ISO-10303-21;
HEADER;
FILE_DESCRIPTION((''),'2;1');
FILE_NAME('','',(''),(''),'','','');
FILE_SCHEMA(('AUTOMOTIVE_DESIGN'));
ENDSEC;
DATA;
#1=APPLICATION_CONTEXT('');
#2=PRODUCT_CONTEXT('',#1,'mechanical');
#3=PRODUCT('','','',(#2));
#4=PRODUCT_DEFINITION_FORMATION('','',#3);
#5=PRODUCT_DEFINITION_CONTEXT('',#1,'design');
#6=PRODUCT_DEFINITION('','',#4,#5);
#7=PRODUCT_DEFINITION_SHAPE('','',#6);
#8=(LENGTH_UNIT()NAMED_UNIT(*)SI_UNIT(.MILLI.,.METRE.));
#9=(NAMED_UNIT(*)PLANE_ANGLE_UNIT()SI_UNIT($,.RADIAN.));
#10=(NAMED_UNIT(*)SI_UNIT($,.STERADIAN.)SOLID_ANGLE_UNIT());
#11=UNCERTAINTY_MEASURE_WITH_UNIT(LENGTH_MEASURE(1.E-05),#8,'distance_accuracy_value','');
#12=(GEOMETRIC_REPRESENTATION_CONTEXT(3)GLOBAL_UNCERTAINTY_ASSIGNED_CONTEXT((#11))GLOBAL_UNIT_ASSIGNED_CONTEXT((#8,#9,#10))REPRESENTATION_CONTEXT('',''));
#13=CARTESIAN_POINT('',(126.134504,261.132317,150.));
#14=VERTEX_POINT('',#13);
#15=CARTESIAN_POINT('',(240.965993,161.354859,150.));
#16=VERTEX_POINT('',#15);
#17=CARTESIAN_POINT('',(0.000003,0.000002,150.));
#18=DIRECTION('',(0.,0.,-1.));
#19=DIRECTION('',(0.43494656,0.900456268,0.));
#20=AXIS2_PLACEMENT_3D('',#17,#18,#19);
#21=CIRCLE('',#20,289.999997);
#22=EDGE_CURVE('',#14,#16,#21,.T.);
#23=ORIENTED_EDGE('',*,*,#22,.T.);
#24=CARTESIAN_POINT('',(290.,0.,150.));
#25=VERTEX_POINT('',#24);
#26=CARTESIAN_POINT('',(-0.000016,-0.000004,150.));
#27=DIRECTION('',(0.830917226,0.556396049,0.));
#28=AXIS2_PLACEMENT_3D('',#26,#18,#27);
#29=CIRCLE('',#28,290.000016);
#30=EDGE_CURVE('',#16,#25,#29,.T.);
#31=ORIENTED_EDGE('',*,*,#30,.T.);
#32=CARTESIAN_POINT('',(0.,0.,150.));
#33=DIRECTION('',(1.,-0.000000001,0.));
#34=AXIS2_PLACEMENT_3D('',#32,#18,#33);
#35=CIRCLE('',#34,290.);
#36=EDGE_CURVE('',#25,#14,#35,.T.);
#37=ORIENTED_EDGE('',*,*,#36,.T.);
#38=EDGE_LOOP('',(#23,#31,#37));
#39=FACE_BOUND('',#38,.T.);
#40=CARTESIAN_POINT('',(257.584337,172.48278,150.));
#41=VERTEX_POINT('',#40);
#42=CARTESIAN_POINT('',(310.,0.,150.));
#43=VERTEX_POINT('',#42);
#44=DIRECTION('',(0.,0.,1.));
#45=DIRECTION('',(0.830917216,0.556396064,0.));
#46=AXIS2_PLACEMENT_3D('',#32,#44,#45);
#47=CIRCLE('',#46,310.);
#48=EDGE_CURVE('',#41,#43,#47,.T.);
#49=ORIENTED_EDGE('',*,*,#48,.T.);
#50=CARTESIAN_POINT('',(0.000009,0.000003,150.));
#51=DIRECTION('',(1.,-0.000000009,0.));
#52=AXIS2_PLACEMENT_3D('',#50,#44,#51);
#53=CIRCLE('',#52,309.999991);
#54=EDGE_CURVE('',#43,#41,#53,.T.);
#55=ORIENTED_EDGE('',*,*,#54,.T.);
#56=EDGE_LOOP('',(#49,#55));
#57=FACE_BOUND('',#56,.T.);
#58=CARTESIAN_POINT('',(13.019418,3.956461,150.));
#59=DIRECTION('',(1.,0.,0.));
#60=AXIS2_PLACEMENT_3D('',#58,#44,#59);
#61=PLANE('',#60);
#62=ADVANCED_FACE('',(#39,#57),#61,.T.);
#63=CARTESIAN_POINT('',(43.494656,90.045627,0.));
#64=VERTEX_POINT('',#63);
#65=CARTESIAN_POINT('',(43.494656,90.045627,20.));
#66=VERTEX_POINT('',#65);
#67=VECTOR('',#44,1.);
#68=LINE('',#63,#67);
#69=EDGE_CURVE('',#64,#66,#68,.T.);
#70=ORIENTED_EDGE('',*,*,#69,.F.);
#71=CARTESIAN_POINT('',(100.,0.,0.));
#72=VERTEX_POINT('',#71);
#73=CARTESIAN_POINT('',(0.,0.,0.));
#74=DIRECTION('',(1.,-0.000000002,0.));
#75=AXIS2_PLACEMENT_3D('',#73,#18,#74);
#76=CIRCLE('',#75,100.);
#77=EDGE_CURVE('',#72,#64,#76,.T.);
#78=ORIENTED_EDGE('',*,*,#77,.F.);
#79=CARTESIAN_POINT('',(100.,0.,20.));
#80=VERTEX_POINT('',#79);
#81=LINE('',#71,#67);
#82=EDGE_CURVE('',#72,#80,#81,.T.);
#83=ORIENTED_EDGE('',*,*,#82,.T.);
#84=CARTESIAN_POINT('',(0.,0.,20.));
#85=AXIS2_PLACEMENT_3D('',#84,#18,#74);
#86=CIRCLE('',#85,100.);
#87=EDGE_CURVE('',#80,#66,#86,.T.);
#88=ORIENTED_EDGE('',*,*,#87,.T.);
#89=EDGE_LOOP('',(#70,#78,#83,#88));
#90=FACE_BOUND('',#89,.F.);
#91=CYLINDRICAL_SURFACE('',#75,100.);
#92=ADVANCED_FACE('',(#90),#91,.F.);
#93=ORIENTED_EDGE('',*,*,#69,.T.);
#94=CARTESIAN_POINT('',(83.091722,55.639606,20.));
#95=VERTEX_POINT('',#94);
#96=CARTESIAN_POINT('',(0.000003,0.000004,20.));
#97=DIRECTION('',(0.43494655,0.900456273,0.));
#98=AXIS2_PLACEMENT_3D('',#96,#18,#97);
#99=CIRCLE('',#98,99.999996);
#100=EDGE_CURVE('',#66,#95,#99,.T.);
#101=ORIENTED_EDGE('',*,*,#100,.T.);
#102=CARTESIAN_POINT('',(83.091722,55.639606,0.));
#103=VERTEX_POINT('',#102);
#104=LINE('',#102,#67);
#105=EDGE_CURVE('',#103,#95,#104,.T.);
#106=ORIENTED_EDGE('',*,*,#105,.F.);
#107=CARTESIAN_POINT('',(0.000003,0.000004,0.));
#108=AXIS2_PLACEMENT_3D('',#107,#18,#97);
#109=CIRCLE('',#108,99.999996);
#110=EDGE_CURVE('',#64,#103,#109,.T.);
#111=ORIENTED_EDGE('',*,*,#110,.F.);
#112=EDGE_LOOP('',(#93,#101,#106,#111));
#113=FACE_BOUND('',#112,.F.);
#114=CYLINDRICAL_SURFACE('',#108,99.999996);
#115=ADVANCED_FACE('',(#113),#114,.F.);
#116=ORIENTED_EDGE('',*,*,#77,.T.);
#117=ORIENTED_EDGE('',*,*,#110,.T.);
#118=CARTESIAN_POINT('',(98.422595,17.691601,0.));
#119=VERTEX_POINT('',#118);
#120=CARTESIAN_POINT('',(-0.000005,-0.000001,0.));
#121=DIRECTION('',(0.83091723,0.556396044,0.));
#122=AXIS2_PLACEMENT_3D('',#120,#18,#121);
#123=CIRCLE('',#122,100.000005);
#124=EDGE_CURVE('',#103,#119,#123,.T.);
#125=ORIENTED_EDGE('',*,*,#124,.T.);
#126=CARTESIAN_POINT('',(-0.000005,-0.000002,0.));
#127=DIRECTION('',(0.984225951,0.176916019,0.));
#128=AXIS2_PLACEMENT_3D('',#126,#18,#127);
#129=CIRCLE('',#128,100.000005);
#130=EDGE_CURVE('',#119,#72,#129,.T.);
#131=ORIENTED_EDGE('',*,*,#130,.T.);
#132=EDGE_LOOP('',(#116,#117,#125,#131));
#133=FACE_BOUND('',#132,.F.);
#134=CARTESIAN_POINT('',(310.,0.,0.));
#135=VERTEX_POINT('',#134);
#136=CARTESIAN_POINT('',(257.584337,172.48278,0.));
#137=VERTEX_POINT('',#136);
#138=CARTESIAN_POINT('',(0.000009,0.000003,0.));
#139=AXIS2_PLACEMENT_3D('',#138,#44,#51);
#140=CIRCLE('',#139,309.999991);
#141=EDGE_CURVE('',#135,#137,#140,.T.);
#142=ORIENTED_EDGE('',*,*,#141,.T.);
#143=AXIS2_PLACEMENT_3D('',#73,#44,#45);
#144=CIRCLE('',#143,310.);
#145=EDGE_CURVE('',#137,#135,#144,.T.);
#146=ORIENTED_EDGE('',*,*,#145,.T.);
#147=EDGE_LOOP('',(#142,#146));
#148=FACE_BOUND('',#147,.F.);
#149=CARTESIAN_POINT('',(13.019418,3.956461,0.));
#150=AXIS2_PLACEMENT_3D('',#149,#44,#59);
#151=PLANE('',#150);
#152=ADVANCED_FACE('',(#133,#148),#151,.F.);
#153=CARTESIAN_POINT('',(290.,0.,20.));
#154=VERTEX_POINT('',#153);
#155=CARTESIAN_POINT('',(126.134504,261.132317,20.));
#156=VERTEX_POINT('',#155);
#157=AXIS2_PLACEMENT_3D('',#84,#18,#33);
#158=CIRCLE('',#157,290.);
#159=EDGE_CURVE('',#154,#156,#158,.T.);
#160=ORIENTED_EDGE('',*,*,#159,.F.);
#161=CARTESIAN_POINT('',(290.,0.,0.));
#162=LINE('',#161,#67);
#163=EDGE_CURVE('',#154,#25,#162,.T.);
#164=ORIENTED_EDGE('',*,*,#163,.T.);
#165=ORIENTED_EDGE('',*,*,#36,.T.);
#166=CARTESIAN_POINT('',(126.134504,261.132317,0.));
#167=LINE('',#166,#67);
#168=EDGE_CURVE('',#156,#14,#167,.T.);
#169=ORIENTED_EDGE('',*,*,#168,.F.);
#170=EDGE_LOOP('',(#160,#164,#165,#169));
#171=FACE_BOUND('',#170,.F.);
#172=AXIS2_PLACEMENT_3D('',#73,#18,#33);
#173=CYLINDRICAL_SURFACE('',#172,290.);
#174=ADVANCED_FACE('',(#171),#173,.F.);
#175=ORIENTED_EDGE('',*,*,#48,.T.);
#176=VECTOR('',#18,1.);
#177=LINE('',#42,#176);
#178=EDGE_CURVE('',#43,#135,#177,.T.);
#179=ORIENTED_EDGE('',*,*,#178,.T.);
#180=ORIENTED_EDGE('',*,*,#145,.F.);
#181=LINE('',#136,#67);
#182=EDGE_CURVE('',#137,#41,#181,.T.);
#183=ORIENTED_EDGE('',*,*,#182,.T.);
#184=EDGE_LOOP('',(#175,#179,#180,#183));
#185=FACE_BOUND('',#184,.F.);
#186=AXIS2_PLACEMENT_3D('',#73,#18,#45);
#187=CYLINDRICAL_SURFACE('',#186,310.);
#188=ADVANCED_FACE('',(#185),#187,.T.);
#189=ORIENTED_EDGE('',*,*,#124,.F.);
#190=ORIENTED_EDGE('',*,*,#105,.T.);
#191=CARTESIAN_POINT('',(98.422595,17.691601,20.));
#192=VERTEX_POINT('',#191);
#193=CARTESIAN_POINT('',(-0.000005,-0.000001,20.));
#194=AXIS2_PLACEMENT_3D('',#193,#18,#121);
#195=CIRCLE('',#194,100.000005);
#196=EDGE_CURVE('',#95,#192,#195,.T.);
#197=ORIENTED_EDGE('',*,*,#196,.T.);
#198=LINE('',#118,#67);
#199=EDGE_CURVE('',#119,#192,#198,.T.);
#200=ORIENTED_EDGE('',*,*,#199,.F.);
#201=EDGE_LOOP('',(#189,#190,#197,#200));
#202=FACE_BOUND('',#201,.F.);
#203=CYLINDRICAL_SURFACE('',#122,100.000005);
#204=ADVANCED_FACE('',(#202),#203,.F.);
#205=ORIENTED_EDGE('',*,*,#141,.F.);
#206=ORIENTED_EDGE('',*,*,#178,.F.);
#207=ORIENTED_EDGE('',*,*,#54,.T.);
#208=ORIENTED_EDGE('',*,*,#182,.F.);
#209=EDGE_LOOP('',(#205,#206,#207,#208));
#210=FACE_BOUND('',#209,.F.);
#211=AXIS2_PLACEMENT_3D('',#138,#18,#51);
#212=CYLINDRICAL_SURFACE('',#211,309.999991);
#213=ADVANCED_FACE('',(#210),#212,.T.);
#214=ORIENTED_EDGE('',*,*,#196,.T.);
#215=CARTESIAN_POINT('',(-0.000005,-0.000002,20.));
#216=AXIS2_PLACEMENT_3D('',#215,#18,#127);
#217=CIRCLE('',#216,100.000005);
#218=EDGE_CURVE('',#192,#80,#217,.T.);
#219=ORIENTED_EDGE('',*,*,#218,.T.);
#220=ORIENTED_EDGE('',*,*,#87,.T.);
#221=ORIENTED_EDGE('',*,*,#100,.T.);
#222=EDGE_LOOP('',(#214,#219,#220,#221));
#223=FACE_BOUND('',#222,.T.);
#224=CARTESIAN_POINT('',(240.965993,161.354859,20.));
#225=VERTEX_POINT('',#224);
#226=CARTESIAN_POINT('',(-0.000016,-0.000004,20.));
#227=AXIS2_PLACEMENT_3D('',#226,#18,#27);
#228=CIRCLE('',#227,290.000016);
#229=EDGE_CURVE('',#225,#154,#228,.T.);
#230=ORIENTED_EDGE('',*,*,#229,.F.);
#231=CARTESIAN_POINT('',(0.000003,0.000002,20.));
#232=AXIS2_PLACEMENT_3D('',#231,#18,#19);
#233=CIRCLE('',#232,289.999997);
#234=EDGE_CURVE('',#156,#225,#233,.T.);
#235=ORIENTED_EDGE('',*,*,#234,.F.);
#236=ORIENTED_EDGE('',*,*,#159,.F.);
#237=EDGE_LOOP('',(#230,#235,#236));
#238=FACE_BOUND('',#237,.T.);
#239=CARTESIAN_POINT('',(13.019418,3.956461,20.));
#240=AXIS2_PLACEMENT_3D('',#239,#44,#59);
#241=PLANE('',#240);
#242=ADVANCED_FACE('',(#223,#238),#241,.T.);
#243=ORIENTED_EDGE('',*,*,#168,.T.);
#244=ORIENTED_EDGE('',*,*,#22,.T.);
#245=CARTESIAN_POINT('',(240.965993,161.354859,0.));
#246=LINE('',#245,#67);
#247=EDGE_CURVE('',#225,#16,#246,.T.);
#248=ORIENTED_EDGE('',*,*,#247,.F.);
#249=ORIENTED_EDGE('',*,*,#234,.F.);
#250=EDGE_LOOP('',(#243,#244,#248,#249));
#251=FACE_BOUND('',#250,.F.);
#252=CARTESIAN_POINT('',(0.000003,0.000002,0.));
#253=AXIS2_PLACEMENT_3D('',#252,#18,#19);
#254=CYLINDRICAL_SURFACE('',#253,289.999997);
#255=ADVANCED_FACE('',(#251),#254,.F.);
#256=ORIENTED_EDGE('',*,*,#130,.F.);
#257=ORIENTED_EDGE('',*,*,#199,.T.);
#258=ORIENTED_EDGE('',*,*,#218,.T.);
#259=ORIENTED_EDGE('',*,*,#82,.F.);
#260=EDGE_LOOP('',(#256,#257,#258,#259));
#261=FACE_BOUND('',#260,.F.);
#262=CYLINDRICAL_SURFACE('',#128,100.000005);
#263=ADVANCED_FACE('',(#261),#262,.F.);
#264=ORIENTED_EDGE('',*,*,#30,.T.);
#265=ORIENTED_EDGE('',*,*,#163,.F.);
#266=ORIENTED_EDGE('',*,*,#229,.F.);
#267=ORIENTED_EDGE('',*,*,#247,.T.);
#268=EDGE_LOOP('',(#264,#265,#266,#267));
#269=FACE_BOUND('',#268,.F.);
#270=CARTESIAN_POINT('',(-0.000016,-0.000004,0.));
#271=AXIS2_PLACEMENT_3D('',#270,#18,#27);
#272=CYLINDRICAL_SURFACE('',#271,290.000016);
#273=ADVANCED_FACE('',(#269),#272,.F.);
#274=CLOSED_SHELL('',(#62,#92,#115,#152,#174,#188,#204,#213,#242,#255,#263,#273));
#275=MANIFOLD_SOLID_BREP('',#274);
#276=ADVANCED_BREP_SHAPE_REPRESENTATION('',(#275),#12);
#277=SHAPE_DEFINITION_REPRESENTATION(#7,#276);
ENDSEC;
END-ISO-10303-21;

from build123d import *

# Parameters (mm, degrees)
F1_DEPTH = 150
F2_DEPTH = 20


with BuildPart() as f1:
    # F0 (on Top) → F1 (new body)
    with BuildSketch(Plane.XY):
        with BuildLine():
            ThreePointArc((310, 0), (296.606764, 90.135608), (257.584337, 172.48278))
            ThreePointArc((257.584337, 172.48278), (-296.606764, -90.135608), (310, 0))
        make_face()
        with BuildLine():
            ThreePointArc((290, 0), (-245.641004, -154.144403), (126.134504, 261.132317))
            ThreePointArc((126.134504, 261.132317), (190.209303, 218.907335), (240.965993, 161.354859))
            ThreePointArc((240.965993, 161.354859), (277.470843, 84.320407), (290, 0))
        make_face(mode=Mode.SUBTRACT)
    extrude(amount=F1_DEPTH)

    # F0 (on Top) → F2 (join)
    with BuildSketch(Plane.XY):
        with BuildLine():
            ThreePointArc((310, 0), (296.606764, 90.135608), (257.584337, 172.48278))
            ThreePointArc((257.584337, 172.48278), (-296.606764, -90.135608), (310, 0))
        make_face()
        with BuildLine():
            ThreePointArc((290, 0), (-245.641004, -154.144403), (126.134504, 261.132317))
            ThreePointArc((126.134504, 261.132317), (190.209303, 218.907335), (240.965993, 161.354859))
            ThreePointArc((240.965993, 161.354859), (277.470843, 84.320407), (290, 0))
        make_face(mode=Mode.SUBTRACT)
        with BuildLine():
            ThreePointArc((240.965993, 161.354859), (190.209303, 218.907335), (126.134504, 261.132317))
            Line((126.134504, 261.132317), (43.494656, 90.045627))
            ThreePointArc((43.494656, 90.045627), (65.589415, 75.485288), (83.091722, 55.639606))
            Line((83.091722, 55.639606), (240.965993, 161.354859))
        make_face()
        with BuildLine():
            Line((43.494656, 90.045627), (126.134504, 261.132317))
            ThreePointArc((126.134504, 261.132317), (-245.641004, -154.144403), (290, 0))
            ThreePointArc((290, 0), (277.470843, 84.320407), (240.965993, 161.354859))
            Line((240.965993, 161.354859), (83.091722, 55.639606))
            ThreePointArc((83.091722, 55.639606), (92.719332, 37.458316), (98.422595, 17.691601))
            ThreePointArc((98.422595, 17.691601), (99.604868, 8.880892), (100, 0))
            ThreePointArc((100, 0), (-84.703795, -53.153242), (43.494656, 90.045627))
        make_face()
    extrude(amount=F2_DEPTH)


solid = f1.part
